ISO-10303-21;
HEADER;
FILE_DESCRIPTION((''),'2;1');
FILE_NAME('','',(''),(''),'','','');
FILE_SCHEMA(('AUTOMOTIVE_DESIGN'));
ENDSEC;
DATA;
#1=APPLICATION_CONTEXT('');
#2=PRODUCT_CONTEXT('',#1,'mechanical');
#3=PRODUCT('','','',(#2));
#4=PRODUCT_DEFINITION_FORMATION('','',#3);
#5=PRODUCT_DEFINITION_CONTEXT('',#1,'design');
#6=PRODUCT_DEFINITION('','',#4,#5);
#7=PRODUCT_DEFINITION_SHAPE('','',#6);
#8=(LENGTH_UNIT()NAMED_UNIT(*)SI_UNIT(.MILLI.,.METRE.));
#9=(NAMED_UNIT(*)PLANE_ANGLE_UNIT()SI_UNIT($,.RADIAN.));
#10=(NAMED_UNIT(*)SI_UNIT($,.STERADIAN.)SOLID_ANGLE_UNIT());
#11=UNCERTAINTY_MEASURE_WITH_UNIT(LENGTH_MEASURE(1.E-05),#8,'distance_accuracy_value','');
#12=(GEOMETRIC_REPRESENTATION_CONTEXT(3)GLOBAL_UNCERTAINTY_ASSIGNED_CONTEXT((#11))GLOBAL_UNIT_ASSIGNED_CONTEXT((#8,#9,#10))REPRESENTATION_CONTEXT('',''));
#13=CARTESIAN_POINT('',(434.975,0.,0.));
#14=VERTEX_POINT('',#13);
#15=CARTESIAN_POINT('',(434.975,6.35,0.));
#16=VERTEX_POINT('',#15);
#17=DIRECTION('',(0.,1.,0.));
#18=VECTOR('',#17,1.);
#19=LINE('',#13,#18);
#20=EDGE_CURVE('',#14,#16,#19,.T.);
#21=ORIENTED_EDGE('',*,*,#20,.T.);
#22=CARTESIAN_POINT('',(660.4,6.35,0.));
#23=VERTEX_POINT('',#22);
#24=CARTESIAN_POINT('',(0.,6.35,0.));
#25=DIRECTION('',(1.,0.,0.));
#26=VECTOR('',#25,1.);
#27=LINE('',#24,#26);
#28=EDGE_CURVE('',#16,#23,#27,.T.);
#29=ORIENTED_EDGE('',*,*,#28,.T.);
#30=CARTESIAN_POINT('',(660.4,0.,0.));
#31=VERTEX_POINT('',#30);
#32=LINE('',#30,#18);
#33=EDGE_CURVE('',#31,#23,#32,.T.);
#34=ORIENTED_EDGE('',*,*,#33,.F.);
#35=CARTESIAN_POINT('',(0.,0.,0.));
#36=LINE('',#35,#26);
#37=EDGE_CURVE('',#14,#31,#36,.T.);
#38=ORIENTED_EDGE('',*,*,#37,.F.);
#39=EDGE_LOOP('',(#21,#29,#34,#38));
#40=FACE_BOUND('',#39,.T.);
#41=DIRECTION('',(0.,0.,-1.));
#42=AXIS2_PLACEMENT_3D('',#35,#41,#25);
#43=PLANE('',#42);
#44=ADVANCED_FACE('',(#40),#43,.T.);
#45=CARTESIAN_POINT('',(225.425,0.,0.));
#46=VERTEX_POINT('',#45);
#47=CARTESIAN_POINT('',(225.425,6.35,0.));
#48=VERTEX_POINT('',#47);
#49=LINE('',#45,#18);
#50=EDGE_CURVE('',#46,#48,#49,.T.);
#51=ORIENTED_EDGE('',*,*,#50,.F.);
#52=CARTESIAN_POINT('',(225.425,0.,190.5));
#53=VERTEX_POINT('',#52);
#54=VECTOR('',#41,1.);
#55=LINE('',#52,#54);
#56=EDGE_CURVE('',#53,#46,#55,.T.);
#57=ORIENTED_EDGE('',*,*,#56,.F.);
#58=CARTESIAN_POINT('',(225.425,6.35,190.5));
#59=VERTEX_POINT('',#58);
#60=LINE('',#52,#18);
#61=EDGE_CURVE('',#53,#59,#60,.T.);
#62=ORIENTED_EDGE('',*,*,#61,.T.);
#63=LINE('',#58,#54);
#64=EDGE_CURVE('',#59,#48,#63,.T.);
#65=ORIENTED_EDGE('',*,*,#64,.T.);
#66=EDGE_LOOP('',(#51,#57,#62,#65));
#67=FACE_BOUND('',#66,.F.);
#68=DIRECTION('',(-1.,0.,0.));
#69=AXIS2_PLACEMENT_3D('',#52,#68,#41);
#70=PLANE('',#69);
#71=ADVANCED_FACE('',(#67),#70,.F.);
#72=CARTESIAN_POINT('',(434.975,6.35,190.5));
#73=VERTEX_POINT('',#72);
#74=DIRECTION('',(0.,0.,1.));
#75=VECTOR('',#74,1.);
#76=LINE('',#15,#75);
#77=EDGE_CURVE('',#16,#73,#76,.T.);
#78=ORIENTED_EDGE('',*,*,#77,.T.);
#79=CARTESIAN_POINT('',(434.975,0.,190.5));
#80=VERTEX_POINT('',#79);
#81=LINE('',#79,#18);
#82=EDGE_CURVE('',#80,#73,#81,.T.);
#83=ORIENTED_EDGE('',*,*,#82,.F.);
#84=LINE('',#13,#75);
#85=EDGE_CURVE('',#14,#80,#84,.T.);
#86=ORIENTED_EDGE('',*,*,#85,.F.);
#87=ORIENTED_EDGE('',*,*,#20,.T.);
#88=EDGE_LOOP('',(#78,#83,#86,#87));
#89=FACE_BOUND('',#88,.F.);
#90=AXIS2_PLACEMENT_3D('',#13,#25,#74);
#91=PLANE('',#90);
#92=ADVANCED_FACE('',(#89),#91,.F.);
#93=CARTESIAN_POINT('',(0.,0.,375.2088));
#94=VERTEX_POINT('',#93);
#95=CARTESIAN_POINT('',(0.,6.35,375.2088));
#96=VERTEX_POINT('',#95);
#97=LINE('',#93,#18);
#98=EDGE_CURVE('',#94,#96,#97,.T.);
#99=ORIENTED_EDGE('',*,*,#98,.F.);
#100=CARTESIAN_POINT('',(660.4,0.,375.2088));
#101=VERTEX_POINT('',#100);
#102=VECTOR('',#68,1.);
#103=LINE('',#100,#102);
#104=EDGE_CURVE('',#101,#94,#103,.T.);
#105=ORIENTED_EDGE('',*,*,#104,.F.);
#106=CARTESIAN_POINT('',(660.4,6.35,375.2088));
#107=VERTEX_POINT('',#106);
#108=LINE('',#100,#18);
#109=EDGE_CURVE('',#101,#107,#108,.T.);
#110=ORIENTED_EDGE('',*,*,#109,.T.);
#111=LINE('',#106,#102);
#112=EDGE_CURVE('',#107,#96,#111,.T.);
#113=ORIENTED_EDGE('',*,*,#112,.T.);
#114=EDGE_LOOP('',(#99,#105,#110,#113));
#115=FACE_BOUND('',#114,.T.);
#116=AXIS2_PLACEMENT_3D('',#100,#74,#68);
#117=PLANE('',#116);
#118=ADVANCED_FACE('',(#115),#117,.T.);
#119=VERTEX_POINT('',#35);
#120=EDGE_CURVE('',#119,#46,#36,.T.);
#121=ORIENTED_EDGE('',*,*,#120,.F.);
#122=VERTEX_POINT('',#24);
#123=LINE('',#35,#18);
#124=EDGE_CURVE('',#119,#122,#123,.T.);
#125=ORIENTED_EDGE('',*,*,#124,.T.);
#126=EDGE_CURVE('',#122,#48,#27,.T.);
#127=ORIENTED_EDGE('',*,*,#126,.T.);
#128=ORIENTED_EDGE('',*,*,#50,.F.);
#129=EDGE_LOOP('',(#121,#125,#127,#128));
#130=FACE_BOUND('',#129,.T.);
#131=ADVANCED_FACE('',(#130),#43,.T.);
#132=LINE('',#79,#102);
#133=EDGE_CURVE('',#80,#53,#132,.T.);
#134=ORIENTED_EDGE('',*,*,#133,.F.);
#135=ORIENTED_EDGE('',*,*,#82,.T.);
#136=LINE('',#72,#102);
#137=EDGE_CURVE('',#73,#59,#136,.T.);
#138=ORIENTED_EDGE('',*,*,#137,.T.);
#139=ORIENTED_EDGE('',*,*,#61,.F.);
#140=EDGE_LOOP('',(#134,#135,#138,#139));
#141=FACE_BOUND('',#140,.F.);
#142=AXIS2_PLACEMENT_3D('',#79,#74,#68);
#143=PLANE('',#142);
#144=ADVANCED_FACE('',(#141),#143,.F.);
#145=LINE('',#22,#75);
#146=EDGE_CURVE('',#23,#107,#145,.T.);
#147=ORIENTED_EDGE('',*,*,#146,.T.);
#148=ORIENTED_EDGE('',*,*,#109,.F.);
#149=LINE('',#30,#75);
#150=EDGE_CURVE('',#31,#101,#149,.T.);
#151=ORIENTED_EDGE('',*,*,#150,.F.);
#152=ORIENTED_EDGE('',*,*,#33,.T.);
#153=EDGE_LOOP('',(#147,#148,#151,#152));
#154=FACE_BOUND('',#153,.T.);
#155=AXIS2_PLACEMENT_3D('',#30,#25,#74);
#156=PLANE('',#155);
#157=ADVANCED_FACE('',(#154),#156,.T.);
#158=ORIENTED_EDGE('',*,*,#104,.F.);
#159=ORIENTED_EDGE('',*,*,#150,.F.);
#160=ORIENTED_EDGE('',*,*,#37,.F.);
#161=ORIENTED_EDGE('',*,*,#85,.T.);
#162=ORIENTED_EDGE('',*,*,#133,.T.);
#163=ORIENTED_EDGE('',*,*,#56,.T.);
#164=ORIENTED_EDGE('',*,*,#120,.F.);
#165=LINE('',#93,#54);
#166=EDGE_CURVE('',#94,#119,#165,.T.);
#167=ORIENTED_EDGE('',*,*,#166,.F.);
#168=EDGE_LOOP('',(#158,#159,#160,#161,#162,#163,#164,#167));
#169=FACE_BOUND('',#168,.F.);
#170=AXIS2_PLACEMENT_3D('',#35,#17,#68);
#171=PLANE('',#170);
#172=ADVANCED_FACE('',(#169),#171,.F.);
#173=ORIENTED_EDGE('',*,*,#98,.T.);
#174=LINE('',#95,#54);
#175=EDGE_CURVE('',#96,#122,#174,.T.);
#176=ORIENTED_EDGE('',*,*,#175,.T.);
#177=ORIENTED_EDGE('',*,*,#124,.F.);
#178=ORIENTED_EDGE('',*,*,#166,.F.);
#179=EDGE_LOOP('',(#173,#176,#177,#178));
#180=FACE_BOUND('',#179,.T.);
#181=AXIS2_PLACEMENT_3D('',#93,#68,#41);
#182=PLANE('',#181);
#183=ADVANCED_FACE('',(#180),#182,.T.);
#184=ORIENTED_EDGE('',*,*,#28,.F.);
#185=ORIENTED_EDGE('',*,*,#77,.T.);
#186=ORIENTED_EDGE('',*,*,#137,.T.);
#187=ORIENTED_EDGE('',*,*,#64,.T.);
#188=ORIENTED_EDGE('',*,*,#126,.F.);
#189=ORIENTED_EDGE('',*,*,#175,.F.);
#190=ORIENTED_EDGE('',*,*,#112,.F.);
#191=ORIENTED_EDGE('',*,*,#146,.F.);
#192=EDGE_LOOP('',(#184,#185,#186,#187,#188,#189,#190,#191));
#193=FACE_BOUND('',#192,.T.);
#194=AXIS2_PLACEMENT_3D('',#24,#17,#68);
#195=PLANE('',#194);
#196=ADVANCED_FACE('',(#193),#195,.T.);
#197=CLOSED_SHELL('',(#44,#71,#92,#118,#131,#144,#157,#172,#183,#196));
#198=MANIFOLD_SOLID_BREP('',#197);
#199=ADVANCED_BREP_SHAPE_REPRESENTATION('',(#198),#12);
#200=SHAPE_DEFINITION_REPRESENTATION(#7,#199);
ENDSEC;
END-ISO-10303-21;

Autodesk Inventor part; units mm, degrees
ref_plane "YZ Plane" through (0, 0, 0) normal (1, 0, 0) x (0, 1, 0)
ref_plane "XZ Plane" through (0, 0, 0) normal (0, 1, 0) x (-1, 0, 0)
ref_plane "XY Plane" through (0, 0, 0) normal (0, 0, 1) x (1, 0, 0)
sketch "Sketch1" plane through (0, 0, 0) normal (0, 1, 0) x (-1, 0, 0)
  line L0 (0, 0) -> (-660.4, 0)
  line L1 (-660.4, 0) -> (-660.4, 375.2088)
  line L2 (-660.4, 375.2088) -> (0, 375.2088)
  line L3 (0, 375.2088) -> (0, 0)
  dimension "d0" = 660.4
  dimension "d1" = 375.2088
extrude "Extrusion1" add sketch "Sketch1" along normal blind 6.35
sketch "Sketch2" plane through (0, 0, 0) normal (0, -1, 0) x (1, 0, 0)
  line L0 (660.4, 0) -> (0, 0) projected
  line L1 (225.425, 0) -> (434.975, 0)
  line L2 (434.975, 0) -> (434.975, 190.5)
  line L3 (434.975, 190.5) -> (225.425, 190.5)
  line L4 (225.425, 190.5) -> (225.425, 0)
  line L5 (0, 375.2088) -> (0, 0) projected
  line L6 (660.4, 0) -> (660.4, 375.2088) projected
  dimension "d4" = 209.55
  dimension "d5" = 190.5
  dimension "d6" = 225.425
  dimension "d7" = 225.425
extrude "Extrusion2" cut sketch "Sketch2" against normal blind 6.35
properties part number "Electronics Board"
